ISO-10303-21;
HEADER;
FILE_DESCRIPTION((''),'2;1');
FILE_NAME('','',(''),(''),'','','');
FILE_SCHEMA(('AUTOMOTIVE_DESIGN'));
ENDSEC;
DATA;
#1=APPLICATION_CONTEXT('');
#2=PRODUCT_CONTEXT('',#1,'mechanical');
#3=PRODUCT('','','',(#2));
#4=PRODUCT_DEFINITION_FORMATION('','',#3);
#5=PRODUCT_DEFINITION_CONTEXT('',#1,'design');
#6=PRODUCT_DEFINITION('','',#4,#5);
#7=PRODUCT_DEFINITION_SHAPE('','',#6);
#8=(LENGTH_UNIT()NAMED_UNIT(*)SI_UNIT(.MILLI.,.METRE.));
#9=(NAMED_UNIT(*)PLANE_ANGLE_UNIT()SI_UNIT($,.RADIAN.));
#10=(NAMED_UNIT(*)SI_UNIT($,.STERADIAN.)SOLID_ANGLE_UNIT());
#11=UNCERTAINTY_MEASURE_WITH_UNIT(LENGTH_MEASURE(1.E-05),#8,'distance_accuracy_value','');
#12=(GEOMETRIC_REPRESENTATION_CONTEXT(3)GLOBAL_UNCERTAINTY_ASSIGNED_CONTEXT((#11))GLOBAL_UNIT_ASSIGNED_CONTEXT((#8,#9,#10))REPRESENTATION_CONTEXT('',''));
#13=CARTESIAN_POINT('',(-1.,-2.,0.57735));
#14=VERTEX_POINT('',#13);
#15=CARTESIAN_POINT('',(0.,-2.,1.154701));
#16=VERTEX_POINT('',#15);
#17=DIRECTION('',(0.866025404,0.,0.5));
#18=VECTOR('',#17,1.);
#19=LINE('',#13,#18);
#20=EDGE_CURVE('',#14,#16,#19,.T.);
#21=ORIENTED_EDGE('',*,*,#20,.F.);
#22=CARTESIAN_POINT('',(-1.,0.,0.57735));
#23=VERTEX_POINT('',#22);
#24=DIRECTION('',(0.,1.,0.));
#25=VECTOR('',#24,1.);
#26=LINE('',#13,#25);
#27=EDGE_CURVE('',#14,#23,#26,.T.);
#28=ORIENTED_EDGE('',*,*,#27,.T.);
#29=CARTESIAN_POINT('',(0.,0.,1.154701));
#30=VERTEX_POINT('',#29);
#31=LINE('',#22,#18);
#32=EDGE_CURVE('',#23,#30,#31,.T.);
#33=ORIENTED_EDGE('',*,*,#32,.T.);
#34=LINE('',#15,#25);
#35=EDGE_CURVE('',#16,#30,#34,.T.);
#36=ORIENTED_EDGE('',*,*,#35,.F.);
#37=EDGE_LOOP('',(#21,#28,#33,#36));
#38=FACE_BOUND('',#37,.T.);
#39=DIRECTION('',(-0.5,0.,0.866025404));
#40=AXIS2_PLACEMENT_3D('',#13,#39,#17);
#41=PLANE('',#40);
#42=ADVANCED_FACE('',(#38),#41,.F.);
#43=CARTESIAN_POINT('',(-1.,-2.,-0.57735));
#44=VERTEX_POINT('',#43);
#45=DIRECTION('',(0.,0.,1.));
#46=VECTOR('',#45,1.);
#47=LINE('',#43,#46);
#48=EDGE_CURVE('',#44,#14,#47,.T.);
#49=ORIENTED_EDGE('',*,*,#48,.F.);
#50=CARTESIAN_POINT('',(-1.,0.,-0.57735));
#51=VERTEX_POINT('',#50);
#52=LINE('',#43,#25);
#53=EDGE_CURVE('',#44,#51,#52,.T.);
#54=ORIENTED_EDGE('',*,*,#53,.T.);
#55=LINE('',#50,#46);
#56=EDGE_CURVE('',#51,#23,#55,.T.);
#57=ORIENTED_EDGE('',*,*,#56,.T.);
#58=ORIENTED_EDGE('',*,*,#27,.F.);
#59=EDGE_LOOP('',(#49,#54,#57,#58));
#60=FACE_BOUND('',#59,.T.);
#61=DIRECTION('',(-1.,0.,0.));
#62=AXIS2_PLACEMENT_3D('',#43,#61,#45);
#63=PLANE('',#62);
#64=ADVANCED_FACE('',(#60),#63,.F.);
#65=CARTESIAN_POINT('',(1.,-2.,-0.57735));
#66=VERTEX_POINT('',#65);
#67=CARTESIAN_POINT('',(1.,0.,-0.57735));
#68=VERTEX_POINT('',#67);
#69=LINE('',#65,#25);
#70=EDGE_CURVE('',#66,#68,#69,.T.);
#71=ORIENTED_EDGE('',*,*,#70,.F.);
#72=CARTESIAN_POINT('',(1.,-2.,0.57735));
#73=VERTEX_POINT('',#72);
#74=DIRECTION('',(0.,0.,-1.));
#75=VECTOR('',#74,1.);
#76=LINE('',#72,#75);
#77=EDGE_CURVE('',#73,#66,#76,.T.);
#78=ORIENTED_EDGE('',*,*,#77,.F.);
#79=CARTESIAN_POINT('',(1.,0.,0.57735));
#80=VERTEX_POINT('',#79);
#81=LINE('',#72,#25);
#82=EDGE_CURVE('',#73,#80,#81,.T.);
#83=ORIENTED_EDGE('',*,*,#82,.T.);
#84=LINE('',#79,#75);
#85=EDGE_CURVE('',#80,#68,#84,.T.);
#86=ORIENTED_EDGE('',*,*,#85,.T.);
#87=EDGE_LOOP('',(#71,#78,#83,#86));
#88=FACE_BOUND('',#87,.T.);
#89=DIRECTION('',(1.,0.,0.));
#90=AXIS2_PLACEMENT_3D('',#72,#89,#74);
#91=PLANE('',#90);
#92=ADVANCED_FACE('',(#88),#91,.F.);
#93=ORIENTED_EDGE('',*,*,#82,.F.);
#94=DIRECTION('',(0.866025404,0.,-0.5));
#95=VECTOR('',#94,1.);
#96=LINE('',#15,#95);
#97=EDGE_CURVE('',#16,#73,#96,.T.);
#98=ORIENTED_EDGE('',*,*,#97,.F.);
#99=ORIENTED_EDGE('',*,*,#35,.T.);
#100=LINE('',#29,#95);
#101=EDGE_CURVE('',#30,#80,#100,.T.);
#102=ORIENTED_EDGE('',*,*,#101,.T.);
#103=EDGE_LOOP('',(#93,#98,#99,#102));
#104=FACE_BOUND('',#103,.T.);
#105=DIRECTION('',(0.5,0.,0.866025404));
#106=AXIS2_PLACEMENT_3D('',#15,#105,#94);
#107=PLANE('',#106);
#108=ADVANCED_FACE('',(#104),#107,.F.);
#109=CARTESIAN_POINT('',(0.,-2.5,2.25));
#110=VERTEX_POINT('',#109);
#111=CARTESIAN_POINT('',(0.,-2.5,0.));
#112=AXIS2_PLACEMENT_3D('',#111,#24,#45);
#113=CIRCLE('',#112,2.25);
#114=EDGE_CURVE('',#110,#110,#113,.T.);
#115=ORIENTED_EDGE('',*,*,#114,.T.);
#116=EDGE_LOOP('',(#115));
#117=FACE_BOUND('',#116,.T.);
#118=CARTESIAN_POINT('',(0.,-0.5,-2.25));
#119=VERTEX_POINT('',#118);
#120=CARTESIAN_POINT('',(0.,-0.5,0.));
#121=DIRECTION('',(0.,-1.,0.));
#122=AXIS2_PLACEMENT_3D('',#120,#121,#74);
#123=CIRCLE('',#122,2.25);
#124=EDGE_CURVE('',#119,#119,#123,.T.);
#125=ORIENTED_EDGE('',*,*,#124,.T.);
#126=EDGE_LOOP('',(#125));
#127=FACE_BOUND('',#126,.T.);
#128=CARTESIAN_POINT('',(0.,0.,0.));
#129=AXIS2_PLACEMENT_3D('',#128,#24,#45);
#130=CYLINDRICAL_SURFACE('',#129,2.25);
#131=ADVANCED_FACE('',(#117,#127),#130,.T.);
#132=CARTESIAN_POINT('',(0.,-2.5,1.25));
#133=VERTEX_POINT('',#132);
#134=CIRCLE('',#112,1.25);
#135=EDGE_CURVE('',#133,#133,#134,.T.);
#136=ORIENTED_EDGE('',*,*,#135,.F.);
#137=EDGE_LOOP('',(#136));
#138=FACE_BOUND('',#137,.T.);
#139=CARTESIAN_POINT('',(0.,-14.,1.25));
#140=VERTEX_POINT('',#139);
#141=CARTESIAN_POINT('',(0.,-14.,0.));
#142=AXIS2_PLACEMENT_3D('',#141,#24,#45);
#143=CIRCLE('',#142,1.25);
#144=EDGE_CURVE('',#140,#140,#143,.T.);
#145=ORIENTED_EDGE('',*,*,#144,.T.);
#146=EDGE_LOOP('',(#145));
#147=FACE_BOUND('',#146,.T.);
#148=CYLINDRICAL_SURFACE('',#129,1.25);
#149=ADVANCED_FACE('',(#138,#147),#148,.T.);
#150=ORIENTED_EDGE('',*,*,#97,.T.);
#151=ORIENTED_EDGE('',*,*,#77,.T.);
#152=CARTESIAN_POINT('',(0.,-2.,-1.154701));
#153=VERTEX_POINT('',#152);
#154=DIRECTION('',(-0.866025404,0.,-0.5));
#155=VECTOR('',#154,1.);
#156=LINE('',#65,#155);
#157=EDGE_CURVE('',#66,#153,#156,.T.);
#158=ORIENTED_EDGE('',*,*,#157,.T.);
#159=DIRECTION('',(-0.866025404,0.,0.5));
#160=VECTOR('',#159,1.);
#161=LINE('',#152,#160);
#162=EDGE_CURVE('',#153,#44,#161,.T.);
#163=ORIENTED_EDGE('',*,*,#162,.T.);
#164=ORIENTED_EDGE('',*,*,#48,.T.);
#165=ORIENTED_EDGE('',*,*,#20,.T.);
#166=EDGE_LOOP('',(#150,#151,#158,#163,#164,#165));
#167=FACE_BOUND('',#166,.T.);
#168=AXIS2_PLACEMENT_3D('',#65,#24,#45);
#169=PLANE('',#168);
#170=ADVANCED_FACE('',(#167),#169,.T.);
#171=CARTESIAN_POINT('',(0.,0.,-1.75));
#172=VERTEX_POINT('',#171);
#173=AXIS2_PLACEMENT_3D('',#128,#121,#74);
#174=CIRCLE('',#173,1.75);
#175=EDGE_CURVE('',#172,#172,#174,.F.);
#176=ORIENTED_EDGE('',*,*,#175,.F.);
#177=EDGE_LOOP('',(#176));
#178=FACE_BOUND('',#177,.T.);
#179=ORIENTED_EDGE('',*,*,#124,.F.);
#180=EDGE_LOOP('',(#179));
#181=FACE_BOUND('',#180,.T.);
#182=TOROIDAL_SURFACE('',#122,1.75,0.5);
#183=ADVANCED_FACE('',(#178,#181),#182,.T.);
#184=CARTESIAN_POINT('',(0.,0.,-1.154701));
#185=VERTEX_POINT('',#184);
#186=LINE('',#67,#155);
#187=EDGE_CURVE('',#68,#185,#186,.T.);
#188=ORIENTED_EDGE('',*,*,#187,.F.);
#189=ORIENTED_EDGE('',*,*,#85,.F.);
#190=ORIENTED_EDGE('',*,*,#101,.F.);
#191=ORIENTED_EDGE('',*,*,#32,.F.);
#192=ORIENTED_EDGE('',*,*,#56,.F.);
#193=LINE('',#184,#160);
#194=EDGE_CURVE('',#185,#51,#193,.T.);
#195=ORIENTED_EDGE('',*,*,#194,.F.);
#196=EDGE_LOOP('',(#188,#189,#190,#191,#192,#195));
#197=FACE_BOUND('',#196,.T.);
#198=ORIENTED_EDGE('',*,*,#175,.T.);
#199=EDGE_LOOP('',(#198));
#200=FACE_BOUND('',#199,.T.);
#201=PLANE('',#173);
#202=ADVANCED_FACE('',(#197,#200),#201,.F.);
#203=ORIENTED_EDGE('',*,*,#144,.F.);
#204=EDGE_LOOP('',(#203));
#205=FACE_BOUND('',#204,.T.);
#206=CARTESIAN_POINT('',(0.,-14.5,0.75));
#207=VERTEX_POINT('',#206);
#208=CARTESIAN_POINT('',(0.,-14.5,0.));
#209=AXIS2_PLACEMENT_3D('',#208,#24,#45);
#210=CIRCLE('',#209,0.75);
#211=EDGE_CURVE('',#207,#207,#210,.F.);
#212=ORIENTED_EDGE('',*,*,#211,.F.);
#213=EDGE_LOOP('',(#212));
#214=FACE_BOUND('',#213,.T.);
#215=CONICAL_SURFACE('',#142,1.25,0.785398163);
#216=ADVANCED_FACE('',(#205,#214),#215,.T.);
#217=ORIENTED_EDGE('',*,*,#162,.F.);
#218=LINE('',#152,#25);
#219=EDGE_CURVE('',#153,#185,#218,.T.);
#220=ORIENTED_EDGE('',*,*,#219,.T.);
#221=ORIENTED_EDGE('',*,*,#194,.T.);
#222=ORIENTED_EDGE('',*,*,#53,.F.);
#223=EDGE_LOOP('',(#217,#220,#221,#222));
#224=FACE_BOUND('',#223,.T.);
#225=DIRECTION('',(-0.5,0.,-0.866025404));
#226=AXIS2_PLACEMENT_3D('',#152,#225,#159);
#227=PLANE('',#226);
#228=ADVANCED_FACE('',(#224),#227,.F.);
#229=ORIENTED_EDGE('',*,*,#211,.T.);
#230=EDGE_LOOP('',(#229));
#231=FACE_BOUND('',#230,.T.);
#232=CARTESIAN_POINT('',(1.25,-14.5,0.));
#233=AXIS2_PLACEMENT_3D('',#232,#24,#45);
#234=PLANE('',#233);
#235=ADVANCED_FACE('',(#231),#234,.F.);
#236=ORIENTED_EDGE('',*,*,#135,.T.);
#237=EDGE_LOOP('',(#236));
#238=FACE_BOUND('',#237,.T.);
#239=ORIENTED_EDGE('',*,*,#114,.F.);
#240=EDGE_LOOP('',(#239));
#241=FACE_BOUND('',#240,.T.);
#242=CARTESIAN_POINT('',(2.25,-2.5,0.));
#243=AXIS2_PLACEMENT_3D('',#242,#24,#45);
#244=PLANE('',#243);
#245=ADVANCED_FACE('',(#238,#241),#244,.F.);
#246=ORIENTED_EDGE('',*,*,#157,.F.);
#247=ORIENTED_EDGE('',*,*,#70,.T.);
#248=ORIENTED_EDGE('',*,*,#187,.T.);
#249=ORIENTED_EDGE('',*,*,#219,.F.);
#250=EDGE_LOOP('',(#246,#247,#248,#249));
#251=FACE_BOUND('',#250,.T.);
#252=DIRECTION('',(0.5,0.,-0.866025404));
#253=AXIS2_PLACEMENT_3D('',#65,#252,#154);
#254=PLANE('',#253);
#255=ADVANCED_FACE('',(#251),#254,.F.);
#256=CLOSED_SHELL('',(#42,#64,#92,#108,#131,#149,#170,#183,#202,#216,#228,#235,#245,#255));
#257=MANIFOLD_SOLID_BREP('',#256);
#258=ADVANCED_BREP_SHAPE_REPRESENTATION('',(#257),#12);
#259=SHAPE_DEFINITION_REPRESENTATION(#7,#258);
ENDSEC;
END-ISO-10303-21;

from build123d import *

# Parameters (mm, degrees)
CORTAR_EXTRUIR1_DEPTH = 2
CHAFL_N1_SIZE         = 0.5
REDONDEO1_R           = 0.5


with BuildPart() as part:
    # Croquis1 → Revolución1 (revolve)
    with BuildSketch(Plane.XY, mode=Mode.PRIVATE) as revoluci_n1_sk:
        Polygon((0, 0), (2.25, 0), (2.25, -2.5), (1.25, -2.5), (1.25, -14.5), (0, -14.5), align=None)
    revolve(revoluci_n1_sk.sketch.rotate(Axis((0, 0, 0), (0, -1, 0)), 90), axis=Axis((0, 0, 0), (0, -1, 0)))

    # Croquis2 → Cortar-Extruir1 (cut)
    with BuildSketch(Plane(origin=(0, 0, 0), x_dir=(1, 0, 0), z_dir=(0, 1, 0))):
        Polygon((1, 0.577350269), (0, 1.154700538), (-1, 0.577350269), (-1, -0.577350269), (0, -1.154700538), (1, -0.577350269), align=None)
    extrude(amount=-CORTAR_EXTRUIR1_DEPTH, mode=Mode.SUBTRACT)

    # Chaflán1
    chafl_n1_edges = [part.edges().sort_by_distance(p)[0] for p in [
        (0, -14.5, -1.25),
    ]]
    chamfer(chafl_n1_edges, length=CHAFL_N1_SIZE)

    # Redondeo1
    redondeo1_edges = [part.edges().sort_by_distance(p)[0] for p in [
        (0, 0, -2.25),
    ]]
    fillet(redondeo1_edges, radius=REDONDEO1_R)


solid = part.part
